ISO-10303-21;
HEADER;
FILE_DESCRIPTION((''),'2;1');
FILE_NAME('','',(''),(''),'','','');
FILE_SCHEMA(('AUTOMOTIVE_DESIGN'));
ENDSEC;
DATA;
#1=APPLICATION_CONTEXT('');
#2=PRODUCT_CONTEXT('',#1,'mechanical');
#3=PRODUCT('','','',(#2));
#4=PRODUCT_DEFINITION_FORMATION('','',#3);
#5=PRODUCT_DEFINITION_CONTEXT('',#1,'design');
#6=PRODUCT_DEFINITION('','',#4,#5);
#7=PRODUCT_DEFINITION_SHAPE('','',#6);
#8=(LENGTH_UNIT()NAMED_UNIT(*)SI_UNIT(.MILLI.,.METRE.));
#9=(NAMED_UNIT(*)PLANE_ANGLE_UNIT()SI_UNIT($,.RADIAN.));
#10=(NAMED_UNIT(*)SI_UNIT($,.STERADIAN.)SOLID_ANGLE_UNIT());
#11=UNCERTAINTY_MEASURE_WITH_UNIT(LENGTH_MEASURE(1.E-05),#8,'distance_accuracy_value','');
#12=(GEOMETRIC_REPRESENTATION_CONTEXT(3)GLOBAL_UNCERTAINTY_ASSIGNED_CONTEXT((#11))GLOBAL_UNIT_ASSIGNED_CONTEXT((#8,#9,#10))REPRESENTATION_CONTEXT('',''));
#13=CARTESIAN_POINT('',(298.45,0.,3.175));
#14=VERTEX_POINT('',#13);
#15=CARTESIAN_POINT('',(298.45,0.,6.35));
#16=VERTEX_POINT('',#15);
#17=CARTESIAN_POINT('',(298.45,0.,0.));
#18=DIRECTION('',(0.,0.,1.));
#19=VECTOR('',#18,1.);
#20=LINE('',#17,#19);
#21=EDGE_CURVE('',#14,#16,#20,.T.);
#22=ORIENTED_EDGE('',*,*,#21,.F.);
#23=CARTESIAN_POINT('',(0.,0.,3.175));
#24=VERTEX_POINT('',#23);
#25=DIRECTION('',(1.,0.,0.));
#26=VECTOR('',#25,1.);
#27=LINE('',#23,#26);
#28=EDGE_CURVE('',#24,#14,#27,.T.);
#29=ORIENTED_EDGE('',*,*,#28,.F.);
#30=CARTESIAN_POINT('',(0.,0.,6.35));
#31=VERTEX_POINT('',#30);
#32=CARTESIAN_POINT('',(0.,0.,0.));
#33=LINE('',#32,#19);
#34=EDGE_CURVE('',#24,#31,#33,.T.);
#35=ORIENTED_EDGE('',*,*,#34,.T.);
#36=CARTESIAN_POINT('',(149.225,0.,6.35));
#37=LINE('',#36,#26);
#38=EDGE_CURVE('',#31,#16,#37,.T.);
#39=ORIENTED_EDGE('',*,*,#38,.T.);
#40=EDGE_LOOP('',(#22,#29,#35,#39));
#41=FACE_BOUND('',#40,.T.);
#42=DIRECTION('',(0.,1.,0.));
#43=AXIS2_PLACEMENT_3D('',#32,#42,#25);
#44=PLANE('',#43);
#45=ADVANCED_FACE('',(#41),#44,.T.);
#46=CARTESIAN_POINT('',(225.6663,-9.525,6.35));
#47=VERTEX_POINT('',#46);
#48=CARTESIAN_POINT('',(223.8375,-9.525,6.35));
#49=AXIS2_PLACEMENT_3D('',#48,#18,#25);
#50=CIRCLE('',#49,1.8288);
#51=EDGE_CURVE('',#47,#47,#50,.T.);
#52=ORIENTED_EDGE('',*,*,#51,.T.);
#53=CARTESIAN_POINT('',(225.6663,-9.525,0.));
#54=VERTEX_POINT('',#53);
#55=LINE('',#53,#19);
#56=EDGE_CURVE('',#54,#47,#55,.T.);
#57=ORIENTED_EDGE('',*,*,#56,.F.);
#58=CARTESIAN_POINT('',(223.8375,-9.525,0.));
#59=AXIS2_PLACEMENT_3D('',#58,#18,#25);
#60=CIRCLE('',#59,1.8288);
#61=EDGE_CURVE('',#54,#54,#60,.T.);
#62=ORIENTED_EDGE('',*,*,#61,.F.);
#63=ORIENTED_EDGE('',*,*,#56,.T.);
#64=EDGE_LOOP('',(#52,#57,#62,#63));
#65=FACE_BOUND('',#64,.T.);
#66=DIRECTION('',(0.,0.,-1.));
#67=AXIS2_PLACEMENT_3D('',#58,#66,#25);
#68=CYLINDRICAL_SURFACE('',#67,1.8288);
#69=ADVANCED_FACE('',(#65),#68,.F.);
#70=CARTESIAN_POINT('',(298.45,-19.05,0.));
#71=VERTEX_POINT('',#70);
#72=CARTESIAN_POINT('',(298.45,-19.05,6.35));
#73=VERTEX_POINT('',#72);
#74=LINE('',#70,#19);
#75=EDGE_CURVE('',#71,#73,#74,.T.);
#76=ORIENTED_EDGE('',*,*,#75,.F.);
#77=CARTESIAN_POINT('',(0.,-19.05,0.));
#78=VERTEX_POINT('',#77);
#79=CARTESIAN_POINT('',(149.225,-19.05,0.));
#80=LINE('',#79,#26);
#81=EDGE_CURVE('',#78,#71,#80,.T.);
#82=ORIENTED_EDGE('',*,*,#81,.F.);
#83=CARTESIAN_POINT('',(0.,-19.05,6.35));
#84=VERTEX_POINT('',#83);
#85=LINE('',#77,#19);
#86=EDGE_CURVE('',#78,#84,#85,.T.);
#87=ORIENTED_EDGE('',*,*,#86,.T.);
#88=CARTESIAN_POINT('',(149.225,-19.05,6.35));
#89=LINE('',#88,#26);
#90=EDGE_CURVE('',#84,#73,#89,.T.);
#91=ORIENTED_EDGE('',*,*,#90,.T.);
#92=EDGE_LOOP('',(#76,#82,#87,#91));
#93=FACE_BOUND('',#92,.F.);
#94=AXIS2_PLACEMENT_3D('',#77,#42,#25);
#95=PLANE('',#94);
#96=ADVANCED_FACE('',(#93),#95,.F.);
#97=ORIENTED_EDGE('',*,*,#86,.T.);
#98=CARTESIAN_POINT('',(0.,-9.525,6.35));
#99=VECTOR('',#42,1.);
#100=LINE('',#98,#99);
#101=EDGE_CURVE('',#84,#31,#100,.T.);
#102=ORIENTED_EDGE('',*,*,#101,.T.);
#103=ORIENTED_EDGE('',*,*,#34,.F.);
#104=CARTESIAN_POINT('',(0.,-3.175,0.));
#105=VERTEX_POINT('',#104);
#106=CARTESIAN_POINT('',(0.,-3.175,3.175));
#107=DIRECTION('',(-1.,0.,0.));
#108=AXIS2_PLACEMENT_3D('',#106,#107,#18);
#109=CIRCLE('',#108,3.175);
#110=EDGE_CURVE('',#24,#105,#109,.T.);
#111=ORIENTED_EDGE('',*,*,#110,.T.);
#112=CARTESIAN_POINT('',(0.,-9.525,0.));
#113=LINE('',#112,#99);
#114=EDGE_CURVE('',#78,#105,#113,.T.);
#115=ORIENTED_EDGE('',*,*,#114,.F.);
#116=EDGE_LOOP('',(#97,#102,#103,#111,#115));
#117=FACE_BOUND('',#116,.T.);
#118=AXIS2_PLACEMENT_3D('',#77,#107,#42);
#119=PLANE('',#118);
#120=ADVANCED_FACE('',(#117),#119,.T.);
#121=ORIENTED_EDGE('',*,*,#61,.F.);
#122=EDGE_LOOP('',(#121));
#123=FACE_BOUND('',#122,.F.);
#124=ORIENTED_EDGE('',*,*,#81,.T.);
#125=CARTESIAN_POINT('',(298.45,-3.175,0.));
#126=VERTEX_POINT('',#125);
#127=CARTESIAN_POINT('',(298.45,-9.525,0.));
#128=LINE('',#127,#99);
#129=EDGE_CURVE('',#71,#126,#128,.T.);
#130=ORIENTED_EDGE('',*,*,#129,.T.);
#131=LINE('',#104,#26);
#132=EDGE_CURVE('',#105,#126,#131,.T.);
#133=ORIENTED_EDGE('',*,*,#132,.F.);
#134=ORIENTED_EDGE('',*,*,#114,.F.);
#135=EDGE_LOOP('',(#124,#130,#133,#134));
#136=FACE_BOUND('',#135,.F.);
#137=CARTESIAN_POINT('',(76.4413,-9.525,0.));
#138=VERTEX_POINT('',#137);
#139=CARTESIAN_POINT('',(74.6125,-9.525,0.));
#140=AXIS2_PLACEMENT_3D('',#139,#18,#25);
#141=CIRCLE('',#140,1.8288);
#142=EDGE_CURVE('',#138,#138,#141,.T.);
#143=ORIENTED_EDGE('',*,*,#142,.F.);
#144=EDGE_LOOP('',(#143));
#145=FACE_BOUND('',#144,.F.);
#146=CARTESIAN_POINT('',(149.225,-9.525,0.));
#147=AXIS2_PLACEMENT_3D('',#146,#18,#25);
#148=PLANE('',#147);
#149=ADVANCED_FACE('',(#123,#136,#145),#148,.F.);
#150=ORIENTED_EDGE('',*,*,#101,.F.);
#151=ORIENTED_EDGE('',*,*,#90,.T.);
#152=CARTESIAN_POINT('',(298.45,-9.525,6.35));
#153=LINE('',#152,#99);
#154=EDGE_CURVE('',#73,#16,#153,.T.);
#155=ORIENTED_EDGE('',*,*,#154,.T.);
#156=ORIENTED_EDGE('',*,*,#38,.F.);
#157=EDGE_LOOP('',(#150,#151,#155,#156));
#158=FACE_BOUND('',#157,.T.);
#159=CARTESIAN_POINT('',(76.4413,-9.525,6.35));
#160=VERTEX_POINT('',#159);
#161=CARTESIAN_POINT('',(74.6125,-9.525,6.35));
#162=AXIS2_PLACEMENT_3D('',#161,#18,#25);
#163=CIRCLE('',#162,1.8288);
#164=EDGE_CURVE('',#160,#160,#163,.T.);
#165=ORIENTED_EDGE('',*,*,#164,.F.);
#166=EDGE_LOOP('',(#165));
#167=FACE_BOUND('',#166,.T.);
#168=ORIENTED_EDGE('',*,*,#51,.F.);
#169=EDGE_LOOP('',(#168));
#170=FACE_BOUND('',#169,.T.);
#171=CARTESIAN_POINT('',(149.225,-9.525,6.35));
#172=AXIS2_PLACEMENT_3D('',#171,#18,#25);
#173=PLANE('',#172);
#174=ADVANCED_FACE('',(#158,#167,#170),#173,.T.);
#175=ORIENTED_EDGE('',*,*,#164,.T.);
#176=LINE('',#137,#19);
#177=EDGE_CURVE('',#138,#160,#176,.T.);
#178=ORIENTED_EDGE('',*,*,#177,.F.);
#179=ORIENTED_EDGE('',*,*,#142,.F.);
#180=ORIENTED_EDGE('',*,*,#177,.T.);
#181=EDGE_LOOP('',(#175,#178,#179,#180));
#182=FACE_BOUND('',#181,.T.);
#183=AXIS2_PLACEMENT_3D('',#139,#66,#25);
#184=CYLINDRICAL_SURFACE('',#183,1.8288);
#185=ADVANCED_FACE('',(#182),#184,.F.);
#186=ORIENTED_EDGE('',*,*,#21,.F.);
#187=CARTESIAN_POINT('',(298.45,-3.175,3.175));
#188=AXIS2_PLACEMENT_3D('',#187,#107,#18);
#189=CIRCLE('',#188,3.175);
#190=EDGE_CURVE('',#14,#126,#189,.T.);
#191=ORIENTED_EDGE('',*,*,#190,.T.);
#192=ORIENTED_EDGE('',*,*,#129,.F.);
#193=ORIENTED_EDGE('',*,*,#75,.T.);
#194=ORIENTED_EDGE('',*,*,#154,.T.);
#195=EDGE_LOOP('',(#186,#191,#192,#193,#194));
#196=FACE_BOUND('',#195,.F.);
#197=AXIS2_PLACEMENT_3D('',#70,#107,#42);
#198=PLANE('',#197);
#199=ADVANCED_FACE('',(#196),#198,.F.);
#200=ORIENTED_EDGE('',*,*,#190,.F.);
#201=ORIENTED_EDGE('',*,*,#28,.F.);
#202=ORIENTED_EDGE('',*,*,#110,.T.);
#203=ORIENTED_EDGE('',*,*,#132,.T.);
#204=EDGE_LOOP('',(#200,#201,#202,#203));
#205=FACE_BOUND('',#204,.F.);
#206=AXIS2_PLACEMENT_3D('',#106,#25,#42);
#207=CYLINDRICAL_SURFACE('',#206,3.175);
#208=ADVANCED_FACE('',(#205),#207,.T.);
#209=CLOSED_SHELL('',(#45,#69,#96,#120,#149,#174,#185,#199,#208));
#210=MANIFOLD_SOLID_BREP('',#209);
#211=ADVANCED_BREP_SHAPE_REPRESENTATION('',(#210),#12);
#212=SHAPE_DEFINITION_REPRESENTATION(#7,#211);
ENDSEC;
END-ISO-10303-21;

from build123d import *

# Parameters (mm, degrees)
F0_W     = 298.45
F0_H     = 19.05
F0_R     = 1.8288
F1_DEPTH = 6.35
F2_R     = 3.175


with BuildPart() as f1:
    # F0 (on Top) → F1 (new body)
    with BuildSketch(Plane.XY):
        with Locations((149.225, -9.525)):
            Rectangle(F0_W, F0_H)
        with Locations((74.6125, -9.525)):
            Circle(F0_R, mode=Mode.SUBTRACT)
        with Locations((223.8375, -9.525)):
            Circle(F0_R, mode=Mode.SUBTRACT)
    extrude(amount=F1_DEPTH)

    # F2
    f2_edges = [f1.edges().sort_by_distance(p)[0] for p in [
        (149.225, 0, 0),
    ]]
    fillet(f2_edges, radius=F2_R)


solid = f1.part
